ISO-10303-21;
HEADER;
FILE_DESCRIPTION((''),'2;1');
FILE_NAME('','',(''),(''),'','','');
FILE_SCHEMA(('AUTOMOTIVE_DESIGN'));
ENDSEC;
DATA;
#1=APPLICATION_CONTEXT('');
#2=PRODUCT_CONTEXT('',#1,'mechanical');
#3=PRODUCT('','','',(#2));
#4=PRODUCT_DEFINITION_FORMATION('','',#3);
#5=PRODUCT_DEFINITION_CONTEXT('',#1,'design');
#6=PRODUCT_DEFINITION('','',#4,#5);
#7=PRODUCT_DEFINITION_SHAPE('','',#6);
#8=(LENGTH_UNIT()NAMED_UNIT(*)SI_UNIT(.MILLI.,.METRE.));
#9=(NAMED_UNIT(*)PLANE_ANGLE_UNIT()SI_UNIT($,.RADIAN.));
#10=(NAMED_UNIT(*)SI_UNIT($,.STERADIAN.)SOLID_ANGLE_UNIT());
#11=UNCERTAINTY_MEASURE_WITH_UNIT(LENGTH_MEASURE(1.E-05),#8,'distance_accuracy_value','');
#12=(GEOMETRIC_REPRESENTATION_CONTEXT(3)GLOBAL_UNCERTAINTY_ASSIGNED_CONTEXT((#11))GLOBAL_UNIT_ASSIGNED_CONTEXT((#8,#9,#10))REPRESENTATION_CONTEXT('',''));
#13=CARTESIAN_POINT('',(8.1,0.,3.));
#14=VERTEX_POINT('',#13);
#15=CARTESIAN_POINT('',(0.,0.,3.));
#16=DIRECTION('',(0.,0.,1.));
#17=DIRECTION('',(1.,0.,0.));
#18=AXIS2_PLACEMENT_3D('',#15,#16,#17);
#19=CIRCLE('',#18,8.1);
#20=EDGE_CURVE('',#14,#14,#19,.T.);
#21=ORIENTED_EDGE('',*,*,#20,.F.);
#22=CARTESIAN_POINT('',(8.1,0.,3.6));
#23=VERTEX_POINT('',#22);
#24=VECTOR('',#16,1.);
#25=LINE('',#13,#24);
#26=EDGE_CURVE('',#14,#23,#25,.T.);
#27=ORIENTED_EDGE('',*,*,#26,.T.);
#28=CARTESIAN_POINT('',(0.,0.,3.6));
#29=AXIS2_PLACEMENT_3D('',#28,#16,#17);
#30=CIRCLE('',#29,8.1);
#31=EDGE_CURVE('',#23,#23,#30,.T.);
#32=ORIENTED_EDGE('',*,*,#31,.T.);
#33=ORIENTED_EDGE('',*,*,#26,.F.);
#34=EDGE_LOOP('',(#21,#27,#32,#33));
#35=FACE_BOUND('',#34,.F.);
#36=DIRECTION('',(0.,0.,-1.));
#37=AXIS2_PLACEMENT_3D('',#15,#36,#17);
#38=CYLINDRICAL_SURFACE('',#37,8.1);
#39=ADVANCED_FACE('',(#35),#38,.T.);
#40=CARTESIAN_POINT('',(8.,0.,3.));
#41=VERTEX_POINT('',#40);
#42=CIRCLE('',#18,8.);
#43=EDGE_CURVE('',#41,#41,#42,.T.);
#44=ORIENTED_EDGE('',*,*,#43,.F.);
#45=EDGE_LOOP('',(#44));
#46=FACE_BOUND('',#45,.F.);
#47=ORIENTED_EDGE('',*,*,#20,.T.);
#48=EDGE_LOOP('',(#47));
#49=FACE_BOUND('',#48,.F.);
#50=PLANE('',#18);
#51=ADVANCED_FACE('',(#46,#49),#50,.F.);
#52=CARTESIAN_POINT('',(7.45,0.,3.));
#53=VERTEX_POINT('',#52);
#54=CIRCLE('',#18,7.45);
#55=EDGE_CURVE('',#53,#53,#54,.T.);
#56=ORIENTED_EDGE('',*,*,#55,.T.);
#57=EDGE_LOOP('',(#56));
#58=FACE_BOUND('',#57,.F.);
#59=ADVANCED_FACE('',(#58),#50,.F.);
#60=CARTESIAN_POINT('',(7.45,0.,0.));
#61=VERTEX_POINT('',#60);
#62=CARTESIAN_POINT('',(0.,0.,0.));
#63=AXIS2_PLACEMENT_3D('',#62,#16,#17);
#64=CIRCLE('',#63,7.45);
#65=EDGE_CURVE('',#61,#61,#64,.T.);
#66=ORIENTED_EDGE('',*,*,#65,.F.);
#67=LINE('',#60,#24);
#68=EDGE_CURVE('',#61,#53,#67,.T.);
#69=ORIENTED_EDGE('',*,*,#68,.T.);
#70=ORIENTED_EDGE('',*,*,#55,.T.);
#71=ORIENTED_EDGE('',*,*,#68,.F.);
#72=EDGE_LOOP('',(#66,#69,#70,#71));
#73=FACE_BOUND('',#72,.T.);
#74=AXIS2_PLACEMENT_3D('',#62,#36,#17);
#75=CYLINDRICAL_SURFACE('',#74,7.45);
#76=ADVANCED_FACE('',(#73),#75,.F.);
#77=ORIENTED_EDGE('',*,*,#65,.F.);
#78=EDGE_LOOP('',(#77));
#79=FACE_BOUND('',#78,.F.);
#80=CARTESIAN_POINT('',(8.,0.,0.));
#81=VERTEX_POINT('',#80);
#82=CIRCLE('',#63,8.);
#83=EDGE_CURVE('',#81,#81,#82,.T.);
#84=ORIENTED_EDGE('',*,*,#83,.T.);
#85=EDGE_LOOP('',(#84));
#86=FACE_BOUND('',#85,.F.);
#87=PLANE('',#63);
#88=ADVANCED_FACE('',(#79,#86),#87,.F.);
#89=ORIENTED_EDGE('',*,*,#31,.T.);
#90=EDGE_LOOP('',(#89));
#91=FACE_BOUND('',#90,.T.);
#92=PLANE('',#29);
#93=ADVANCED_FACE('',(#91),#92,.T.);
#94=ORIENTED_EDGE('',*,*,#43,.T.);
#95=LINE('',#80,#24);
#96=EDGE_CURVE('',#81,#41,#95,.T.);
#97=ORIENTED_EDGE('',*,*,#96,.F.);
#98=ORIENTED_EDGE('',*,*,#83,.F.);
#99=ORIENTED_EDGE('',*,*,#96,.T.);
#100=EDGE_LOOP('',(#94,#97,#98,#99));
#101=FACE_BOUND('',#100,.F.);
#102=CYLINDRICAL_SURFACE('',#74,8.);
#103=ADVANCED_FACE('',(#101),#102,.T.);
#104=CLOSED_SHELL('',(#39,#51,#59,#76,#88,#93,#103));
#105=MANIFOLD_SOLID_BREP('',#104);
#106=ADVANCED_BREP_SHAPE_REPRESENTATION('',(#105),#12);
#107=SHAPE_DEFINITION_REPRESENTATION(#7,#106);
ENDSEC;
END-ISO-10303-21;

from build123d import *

# Parameters (mm, degrees)
SKETCH_R     = 8
SKETCH_R_2   = 7.45
PAD_DEPTH    = 3
SKETCH001_R  = 8.1
PAD001_DEPTH = 0.6


with BuildPart() as part:
    # Sketch (on XY_Plane of Origin) → Pad (new body)
    with BuildSketch(Plane.XY):
        Circle(SKETCH_R)
        Circle(SKETCH_R_2, mode=Mode.SUBTRACT)
    extrude(amount=PAD_DEPTH)

    # Sketch001 (on Face4 of Pad) → Pad001 (join)
    with BuildSketch(Plane.XY.offset(3)):
        Circle(SKETCH001_R)
    extrude(amount=PAD001_DEPTH)


solid = part.part
